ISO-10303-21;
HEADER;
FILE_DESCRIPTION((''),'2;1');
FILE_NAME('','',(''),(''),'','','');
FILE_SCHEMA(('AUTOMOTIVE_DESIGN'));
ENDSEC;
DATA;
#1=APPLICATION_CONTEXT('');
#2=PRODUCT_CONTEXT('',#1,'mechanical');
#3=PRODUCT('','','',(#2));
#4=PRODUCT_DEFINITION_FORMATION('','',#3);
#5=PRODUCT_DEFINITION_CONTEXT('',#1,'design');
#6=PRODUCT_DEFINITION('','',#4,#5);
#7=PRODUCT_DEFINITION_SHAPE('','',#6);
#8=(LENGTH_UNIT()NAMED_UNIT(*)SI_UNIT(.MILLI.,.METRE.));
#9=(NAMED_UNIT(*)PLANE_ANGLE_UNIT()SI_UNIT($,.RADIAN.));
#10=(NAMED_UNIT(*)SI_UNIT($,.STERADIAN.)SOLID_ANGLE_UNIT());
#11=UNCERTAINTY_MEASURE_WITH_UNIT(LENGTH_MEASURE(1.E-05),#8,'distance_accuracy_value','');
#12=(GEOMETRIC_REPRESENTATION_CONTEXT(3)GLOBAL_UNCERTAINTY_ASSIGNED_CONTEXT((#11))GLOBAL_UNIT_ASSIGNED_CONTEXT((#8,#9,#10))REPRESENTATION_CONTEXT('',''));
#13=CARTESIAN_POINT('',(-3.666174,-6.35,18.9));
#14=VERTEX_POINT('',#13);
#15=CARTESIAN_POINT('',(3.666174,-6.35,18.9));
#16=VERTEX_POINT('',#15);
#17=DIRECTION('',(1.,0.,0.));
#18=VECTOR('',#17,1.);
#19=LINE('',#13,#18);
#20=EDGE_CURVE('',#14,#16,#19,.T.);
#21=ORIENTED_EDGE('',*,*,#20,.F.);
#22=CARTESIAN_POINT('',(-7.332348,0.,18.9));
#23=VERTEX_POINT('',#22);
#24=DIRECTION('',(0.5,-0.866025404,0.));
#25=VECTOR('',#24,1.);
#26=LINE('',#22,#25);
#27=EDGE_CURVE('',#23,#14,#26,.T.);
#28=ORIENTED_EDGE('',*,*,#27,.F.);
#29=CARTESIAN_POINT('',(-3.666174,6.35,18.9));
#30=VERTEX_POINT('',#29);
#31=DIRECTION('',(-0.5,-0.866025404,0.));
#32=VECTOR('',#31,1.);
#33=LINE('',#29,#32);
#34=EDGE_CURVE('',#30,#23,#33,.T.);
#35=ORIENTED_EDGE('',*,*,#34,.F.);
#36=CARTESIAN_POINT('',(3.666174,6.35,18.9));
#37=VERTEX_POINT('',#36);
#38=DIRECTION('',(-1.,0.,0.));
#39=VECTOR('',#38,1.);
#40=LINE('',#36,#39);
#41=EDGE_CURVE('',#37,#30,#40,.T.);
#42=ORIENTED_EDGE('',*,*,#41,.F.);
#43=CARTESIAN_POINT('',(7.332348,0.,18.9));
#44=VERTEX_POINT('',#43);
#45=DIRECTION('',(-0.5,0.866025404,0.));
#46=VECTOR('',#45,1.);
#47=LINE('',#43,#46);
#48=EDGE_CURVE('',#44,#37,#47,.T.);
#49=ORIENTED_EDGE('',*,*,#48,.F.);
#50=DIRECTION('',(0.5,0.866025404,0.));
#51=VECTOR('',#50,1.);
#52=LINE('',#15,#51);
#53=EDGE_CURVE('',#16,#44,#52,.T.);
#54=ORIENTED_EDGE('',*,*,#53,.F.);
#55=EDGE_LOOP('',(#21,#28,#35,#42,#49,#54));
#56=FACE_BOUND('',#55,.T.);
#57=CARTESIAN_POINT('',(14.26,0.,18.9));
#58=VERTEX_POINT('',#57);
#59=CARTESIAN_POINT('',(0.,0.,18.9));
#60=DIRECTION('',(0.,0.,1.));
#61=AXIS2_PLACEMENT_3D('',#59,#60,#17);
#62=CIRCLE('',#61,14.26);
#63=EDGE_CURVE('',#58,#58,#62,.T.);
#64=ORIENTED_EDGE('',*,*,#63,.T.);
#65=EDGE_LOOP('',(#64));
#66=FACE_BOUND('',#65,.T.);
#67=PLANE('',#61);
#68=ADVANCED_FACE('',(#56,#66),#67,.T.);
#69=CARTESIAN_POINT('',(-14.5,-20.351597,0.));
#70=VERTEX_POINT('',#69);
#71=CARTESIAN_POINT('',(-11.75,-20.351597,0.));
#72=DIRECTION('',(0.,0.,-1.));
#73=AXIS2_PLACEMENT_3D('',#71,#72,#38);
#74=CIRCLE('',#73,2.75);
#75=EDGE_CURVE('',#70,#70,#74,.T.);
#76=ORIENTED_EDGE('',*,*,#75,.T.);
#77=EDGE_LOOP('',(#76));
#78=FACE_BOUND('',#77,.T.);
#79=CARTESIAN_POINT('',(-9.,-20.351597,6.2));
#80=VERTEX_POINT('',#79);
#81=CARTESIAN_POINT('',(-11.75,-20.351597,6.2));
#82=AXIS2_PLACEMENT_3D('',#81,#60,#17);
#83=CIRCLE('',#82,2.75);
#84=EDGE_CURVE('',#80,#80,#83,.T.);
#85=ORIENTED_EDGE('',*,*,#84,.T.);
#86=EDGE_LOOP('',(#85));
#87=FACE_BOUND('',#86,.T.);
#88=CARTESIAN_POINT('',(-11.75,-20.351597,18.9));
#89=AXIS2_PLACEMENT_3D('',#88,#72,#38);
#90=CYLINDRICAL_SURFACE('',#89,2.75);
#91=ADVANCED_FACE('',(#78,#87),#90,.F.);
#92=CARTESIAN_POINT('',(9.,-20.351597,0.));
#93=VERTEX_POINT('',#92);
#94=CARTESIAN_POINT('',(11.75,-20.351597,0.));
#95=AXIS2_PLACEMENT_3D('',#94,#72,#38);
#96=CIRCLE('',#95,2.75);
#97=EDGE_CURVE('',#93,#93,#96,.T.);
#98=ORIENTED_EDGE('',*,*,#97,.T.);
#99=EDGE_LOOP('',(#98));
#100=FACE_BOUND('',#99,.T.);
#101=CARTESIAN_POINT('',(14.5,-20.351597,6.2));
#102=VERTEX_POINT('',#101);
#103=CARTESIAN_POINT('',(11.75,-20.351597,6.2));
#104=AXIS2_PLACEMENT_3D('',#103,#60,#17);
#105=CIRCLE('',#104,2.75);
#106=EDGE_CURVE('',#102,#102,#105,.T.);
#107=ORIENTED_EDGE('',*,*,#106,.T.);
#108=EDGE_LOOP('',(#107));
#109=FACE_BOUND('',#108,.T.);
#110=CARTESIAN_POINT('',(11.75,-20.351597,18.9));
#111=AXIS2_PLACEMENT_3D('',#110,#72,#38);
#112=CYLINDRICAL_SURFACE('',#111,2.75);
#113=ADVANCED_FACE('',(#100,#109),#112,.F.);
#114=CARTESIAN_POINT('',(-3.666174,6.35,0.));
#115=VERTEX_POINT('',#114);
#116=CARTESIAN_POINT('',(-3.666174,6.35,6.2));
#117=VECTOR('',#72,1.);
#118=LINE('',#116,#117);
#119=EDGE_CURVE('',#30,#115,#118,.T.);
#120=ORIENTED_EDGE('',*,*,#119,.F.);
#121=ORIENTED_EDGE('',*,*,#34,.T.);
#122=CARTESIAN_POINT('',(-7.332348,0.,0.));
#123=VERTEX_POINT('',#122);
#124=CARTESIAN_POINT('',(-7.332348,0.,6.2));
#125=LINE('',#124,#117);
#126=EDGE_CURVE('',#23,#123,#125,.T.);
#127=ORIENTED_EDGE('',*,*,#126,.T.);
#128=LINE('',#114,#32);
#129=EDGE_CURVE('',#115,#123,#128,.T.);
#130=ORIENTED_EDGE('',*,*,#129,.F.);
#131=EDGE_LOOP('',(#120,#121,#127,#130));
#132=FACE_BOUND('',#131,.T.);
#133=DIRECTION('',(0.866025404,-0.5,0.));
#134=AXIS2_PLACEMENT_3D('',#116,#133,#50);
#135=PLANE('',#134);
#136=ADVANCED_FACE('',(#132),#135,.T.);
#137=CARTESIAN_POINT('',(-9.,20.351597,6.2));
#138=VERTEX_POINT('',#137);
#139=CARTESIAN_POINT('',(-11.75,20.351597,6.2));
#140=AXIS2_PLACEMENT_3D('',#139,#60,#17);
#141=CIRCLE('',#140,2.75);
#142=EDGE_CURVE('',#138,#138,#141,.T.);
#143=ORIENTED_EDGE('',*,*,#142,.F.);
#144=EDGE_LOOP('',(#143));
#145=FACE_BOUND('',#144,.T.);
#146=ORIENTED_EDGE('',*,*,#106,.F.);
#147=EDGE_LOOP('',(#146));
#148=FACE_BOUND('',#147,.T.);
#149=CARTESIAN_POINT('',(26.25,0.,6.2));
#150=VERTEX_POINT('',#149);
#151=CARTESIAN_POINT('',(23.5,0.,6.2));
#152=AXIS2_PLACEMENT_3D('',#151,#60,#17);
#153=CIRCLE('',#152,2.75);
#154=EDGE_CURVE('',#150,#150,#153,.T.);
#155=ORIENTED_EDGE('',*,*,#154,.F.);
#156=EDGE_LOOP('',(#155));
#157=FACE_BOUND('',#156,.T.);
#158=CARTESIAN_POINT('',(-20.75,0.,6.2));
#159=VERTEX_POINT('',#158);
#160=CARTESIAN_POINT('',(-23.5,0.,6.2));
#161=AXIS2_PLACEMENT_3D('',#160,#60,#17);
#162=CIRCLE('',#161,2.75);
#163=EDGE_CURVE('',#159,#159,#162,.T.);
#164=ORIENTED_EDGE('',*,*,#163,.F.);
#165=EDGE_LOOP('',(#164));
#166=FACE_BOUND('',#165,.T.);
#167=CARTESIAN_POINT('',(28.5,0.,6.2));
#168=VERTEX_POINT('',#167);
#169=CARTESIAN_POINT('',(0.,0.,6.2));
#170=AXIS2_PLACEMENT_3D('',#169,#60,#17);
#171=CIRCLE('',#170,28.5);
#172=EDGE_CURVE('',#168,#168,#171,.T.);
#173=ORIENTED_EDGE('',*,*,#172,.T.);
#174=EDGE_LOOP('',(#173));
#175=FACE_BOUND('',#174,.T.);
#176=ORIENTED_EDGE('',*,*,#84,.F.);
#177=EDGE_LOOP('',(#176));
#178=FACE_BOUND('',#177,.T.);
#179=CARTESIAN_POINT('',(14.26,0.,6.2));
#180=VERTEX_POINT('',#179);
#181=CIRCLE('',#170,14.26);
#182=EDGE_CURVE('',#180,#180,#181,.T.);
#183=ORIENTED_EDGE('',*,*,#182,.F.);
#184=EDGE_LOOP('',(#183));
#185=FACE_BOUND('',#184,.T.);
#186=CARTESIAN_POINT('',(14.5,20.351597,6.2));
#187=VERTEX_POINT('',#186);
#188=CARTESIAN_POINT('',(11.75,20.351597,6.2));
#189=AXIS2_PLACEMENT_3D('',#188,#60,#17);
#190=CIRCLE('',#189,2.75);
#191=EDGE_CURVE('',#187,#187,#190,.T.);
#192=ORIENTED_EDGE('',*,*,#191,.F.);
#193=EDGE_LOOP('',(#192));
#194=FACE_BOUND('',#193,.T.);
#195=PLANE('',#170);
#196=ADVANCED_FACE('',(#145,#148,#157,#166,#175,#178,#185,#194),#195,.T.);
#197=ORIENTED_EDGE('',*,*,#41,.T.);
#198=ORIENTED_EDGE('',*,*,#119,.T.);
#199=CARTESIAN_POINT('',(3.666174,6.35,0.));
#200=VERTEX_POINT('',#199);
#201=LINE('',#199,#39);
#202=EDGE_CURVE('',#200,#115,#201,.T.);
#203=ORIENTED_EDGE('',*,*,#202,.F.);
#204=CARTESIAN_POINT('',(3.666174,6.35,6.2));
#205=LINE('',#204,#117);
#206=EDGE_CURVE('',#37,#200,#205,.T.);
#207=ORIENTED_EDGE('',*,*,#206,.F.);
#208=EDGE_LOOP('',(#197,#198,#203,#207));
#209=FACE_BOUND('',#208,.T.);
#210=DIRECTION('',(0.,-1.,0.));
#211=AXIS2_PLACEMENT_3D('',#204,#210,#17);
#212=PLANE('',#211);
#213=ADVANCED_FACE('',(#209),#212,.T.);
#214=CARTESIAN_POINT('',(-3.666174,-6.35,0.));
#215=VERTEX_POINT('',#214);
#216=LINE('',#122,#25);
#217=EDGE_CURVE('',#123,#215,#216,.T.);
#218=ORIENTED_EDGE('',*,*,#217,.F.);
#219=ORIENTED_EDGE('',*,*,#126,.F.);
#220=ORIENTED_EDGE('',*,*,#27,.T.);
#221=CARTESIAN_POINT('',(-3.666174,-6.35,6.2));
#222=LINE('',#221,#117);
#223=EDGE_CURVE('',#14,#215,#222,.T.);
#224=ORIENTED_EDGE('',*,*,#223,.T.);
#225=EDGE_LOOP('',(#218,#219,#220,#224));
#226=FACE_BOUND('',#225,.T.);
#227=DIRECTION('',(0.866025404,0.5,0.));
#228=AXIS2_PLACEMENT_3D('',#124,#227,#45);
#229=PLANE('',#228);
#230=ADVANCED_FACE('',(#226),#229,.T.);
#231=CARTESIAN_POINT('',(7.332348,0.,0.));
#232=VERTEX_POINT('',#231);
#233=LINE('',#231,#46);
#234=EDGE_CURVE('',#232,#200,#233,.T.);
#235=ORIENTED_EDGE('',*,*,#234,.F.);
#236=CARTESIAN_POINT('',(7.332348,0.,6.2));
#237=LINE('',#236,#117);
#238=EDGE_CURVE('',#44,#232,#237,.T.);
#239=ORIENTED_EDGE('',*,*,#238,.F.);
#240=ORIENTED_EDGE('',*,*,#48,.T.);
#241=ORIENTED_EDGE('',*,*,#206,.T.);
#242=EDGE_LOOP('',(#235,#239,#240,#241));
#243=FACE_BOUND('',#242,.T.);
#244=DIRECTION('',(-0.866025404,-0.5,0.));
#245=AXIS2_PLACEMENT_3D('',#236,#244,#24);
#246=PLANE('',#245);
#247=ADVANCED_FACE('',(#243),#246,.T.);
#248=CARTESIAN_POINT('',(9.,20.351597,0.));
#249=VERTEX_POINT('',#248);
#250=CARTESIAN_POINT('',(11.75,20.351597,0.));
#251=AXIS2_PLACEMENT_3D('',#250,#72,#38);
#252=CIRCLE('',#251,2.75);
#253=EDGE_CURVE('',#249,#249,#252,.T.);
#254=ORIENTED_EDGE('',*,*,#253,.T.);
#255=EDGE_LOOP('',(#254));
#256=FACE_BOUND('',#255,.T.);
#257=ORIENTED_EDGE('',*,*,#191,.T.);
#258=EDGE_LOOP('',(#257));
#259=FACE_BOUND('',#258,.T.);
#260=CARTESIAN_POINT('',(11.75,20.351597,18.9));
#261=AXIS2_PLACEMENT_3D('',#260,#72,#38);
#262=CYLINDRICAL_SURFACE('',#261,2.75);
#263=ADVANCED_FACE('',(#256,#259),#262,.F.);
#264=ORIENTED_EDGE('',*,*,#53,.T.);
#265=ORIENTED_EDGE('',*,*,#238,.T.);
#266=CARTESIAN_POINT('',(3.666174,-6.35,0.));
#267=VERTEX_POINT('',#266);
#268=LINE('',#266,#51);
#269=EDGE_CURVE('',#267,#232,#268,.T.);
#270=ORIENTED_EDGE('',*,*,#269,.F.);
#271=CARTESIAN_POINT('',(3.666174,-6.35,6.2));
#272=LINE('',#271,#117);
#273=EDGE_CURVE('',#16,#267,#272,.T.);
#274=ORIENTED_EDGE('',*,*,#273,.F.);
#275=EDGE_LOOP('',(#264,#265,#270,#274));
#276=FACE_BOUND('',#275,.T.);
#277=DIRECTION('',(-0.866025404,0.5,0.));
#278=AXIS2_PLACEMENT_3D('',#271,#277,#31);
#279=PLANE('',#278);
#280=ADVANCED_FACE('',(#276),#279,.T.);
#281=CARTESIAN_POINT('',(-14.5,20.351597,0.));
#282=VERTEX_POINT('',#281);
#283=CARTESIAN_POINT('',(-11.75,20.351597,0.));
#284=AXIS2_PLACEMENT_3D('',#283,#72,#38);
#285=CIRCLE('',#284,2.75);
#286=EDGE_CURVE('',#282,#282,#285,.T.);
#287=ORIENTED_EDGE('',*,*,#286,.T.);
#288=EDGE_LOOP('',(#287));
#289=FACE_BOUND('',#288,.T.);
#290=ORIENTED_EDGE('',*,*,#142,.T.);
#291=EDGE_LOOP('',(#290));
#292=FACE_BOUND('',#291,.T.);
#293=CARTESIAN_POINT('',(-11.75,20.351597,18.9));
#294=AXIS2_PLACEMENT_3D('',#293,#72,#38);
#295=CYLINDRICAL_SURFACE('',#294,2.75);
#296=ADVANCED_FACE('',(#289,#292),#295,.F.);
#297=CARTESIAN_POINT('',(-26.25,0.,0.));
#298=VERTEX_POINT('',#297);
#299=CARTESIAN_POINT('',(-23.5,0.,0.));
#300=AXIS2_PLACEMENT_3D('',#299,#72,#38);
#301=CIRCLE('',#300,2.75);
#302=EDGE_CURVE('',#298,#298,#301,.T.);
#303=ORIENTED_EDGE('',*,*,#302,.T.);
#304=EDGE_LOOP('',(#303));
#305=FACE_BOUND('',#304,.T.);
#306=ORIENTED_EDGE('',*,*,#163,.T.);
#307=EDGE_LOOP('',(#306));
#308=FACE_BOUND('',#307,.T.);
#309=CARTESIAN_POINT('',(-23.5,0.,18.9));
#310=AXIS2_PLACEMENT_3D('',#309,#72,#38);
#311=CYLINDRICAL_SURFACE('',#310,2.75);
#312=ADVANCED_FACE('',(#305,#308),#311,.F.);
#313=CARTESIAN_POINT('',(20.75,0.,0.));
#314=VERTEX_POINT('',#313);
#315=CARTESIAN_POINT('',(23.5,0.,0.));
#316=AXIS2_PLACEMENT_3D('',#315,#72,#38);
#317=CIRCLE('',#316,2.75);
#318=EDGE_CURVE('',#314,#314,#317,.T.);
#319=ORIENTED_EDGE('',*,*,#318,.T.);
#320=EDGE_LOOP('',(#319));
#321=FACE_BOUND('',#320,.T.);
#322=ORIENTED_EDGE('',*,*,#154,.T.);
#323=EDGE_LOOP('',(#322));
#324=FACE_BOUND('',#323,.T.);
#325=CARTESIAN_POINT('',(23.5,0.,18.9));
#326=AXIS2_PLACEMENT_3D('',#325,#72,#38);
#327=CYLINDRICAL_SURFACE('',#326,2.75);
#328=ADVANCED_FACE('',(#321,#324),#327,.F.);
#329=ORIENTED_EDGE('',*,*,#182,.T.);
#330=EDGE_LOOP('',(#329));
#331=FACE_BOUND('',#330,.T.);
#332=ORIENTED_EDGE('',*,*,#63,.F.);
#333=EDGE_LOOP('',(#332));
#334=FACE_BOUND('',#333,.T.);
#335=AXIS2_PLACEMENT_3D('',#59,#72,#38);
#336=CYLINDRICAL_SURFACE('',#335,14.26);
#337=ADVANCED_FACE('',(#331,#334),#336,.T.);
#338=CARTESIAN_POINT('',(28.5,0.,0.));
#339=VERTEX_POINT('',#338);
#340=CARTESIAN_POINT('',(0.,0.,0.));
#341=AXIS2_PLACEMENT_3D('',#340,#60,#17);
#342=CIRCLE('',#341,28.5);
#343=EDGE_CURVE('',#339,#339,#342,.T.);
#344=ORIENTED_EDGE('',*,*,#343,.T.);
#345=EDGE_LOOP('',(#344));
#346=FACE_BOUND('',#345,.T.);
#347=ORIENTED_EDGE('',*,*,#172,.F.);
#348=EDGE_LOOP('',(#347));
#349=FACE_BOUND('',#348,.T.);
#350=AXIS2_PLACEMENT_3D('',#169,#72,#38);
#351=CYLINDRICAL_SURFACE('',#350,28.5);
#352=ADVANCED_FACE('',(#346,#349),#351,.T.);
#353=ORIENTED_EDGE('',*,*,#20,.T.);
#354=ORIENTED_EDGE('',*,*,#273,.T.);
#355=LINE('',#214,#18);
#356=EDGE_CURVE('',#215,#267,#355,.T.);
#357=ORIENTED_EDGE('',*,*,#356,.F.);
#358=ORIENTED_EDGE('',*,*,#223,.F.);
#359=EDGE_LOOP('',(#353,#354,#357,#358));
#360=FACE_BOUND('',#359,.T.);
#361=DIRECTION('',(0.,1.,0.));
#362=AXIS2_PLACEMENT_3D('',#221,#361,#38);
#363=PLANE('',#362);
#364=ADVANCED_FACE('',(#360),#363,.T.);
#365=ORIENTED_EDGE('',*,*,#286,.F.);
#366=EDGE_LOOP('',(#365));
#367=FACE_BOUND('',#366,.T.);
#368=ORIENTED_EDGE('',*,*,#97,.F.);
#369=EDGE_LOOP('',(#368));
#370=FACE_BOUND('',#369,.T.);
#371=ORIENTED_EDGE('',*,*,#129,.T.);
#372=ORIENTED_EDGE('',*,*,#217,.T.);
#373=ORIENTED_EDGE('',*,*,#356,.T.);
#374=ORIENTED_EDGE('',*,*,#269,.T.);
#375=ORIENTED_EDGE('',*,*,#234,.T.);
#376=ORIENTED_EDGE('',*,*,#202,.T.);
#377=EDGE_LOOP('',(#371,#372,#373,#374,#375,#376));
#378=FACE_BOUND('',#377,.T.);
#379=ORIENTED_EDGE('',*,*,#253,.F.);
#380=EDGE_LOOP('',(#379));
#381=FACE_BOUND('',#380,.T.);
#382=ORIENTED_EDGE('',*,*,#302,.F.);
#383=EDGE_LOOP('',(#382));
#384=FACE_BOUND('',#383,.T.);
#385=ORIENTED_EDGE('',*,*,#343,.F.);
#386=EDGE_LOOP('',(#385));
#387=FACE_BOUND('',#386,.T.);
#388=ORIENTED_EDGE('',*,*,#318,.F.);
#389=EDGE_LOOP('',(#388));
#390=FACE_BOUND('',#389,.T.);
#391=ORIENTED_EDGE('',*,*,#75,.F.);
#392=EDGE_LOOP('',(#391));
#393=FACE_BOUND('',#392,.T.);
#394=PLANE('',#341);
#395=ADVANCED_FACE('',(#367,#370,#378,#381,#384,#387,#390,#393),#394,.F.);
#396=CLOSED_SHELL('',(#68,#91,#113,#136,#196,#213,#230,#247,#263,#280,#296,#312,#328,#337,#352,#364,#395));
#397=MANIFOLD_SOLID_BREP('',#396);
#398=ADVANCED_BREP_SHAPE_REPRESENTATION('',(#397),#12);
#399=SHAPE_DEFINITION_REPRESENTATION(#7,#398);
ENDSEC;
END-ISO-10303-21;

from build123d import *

# Parameters (mm, degrees)
SKETCH1_R           = 28.5
BOSS_EXTRUDE1_DEPTH = 6.2
SKETCH2_R           = 14.26
BOSS_EXTRUDE2_DEPTH = 12.7
SKETCH3_R           = 2.75
CUT_EXTRUDE1_DEPTH  = 19.9


with BuildPart() as part:
    # Sketch1 → Boss-Extrude1 (new body)
    with BuildSketch(Plane.XY):
        Circle(SKETCH1_R)
        Polygon((7.332348419, 0), (3.666174209, 6.35), (-3.666174209, 6.35), (-7.332348419, 0), (-3.666174209, -6.35), (3.666174209, -6.35), align=None, mode=Mode.SUBTRACT)
    extrude(amount=BOSS_EXTRUDE1_DEPTH)

    # Sketch2 → Boss-Extrude2 (add)
    with BuildSketch(Plane.XY.offset(6.2)):
        Circle(SKETCH2_R)
        Polygon((3.666174209, -6.35), (7.332348419, 0), (3.666174209, 6.35), (-3.666174209, 6.35), (-7.332348419, 0), (-3.666174209, -6.35), align=None, mode=Mode.SUBTRACT)
    extrude(amount=BOSS_EXTRUDE2_DEPTH)

    # Sketch3 → Cut-Extrude1 (cut, through all)
    with BuildSketch(Plane(origin=(0, 0, 0), x_dir=(-1, 0, 0), z_dir=(0, 0, -1))):
        with Locations((-11.75, 20.351596989)):
            Circle(SKETCH3_R)
        with Locations((11.75, 20.351596989)):
            Circle(SKETCH3_R)
        with Locations((23.5, 0)):
            Circle(SKETCH3_R)
        with Locations((11.75, -20.351596989)):
            Circle(SKETCH3_R)
        with Locations((-11.75, -20.351596989)):
            Circle(SKETCH3_R)
        with Locations((-23.5, 0)):
            Circle(SKETCH3_R)
    extrude(amount=-CUT_EXTRUDE1_DEPTH, mode=Mode.SUBTRACT)


solid = part.part
